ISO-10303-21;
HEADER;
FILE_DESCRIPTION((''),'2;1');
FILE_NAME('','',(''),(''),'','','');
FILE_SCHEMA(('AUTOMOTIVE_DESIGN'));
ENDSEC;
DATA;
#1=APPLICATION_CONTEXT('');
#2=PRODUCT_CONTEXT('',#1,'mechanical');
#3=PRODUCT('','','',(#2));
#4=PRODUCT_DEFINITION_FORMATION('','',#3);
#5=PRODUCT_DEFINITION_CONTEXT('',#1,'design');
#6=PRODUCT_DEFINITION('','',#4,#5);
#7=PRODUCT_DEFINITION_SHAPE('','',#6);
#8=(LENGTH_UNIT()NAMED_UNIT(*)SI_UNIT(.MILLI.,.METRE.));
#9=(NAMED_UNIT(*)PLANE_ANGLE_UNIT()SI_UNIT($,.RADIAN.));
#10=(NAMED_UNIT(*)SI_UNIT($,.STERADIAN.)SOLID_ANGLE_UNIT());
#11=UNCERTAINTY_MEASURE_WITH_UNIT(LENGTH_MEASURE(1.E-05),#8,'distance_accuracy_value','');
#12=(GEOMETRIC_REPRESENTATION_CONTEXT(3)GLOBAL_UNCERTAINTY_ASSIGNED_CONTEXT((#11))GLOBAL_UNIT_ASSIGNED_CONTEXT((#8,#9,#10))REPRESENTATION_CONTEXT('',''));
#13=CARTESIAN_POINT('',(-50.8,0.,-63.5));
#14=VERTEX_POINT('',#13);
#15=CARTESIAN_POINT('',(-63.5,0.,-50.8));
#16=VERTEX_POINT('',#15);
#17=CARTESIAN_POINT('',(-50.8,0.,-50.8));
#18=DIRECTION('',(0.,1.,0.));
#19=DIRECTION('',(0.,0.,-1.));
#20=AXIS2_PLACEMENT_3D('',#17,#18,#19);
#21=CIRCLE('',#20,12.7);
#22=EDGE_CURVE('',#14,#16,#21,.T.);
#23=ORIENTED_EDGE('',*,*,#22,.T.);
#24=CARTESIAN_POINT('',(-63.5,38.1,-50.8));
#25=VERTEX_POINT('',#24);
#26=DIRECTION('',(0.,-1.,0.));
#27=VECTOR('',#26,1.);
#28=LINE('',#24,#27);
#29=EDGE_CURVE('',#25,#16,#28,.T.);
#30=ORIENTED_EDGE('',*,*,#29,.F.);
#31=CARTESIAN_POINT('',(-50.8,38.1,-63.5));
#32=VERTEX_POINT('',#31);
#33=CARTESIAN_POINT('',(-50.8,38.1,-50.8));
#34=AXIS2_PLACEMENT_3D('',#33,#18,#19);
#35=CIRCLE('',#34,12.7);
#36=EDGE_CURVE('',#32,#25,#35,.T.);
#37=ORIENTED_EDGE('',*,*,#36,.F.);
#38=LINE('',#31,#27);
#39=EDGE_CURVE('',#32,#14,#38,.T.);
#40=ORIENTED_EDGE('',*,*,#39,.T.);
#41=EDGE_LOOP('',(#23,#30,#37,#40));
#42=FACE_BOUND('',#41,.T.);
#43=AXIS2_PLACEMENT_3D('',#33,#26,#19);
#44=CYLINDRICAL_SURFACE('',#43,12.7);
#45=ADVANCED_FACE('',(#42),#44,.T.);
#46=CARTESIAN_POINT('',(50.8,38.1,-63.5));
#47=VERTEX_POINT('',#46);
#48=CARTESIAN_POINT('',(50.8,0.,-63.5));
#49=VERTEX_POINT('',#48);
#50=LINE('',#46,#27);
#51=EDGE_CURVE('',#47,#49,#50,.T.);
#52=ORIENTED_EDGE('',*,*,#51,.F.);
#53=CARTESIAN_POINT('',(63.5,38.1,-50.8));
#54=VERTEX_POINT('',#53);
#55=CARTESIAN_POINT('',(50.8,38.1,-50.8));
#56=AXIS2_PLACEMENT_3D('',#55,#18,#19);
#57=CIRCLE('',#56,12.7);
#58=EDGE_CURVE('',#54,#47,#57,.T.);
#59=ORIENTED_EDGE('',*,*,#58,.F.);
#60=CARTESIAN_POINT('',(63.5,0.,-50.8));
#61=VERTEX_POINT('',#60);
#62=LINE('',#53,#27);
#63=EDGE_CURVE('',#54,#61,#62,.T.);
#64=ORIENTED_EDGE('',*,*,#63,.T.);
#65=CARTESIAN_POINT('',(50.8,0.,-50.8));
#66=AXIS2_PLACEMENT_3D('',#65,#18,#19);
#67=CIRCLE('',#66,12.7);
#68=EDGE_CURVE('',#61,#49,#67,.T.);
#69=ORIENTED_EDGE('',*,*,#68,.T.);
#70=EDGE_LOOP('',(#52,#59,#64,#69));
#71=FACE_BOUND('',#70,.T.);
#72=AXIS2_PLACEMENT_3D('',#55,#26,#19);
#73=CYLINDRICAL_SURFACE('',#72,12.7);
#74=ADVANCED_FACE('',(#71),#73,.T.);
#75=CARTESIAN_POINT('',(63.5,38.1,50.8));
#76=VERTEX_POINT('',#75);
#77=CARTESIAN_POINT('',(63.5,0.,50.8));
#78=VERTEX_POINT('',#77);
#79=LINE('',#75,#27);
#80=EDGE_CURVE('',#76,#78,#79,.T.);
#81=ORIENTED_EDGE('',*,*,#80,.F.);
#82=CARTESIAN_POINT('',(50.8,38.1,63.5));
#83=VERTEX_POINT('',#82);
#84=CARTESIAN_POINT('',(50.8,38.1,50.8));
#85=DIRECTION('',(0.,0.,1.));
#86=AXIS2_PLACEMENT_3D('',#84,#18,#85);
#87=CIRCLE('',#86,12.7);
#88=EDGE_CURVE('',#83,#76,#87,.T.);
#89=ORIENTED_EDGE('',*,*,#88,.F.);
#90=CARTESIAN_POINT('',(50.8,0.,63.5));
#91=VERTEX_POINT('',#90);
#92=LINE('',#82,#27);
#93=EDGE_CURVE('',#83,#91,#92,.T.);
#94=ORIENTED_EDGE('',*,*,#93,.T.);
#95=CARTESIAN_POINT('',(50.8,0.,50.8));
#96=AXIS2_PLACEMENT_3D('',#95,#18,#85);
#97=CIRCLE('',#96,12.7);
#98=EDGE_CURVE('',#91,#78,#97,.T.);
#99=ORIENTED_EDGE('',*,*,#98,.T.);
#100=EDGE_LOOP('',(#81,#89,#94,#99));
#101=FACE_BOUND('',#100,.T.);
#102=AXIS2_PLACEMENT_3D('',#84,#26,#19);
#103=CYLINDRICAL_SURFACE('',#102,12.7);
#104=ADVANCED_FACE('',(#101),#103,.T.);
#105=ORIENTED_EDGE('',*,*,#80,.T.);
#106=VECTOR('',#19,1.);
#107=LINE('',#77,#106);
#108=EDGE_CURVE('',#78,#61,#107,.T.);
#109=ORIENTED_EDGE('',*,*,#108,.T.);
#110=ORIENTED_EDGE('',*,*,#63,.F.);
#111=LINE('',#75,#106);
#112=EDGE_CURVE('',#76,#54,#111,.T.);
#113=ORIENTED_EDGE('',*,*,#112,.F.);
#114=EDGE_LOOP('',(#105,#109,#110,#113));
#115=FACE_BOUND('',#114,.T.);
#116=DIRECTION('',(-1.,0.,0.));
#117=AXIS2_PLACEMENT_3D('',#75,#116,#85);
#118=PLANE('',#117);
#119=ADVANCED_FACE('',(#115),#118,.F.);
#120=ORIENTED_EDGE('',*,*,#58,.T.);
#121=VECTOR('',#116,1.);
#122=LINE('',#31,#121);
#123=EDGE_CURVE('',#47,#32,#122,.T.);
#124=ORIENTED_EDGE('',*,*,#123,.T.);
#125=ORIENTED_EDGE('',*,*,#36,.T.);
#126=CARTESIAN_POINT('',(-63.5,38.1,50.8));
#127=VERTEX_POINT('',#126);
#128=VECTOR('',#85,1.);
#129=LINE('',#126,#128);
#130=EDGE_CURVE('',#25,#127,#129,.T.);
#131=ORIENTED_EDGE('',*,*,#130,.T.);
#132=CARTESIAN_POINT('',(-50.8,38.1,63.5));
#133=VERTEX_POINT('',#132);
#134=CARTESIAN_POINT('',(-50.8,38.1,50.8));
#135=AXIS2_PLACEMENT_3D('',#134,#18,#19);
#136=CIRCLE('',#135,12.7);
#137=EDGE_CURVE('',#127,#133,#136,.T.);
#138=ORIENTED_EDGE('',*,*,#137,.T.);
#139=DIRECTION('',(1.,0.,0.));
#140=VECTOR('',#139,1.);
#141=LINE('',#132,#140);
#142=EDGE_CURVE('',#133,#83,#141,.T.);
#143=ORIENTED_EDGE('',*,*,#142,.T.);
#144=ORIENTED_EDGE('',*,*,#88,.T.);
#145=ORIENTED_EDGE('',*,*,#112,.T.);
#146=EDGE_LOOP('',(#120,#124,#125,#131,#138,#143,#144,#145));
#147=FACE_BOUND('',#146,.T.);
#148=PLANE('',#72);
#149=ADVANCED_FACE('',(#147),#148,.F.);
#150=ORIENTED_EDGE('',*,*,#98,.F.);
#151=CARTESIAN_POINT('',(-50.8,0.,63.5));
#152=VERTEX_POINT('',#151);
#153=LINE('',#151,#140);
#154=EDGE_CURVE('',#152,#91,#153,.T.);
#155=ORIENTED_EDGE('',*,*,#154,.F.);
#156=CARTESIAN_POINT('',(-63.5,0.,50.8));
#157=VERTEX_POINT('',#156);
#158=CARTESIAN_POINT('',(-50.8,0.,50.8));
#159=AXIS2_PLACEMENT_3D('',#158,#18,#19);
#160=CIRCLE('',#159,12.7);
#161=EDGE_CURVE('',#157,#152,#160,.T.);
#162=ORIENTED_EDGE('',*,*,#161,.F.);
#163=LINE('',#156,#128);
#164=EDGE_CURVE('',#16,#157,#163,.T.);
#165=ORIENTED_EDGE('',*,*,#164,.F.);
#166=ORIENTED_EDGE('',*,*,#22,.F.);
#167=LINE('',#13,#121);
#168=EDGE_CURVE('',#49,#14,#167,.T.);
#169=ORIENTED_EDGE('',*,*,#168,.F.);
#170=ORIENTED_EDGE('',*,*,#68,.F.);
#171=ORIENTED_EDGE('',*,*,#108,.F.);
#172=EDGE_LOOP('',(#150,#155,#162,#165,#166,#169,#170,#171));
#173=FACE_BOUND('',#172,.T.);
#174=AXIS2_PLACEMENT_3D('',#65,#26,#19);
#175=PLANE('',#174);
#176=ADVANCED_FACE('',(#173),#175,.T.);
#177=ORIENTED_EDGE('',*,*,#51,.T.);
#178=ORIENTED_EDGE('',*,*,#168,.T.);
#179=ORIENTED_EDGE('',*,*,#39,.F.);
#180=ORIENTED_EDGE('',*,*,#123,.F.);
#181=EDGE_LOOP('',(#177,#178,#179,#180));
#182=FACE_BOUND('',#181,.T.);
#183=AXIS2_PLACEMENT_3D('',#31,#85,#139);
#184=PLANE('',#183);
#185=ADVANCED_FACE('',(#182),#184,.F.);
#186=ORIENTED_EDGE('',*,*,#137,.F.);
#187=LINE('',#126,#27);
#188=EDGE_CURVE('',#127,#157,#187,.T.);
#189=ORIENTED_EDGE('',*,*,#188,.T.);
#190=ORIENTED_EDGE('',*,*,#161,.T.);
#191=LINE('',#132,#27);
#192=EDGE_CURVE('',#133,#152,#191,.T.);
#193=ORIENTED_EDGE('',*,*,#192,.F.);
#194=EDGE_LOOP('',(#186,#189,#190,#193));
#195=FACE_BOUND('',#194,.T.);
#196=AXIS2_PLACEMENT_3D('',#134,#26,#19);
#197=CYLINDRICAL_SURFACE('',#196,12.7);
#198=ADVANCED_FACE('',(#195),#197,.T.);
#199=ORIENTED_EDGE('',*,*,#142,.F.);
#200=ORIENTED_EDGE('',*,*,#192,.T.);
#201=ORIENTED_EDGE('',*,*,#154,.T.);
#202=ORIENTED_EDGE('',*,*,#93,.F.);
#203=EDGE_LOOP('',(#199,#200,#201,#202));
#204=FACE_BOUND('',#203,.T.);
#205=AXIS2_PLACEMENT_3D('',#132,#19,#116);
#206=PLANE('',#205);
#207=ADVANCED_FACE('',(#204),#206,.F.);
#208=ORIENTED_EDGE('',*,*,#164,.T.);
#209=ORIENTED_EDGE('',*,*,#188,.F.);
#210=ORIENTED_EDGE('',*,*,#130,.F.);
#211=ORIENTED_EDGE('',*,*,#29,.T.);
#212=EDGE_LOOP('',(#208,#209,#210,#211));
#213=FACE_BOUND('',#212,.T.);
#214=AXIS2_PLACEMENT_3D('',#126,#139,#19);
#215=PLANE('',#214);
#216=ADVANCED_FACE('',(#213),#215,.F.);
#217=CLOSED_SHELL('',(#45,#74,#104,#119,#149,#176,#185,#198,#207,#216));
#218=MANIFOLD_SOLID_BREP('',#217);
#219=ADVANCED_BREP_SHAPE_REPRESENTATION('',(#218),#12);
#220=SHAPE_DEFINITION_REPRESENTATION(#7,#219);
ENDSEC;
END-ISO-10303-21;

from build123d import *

# Parameters (mm, degrees)
BOSS_EXTRUDE1_DEPTH = 38.1


with BuildPart() as part:
    # Sketch1 → Boss-Extrude1 (new body)
    with BuildSketch(Plane(origin=(0, 0, 0), x_dir=(1, 0, 0), z_dir=(0, 1, 0))):
        with BuildLine():
            Line((-50.8, -63.5), (50.8, -63.5))
            ThreePointArc((50.8, -63.5), (59.780256121, -59.780256121), (63.5, -50.8))
            Line((63.5, -50.8), (63.5, 50.8))
            ThreePointArc((63.5, 50.8), (59.780256121, 59.780256121), (50.8, 63.5))
            Line((50.8, 63.5), (-50.8, 63.5))
            ThreePointArc((-50.8, 63.5), (-59.780256121, 59.780256121), (-63.5, 50.8))
            Line((-63.5, 50.8), (-63.5, -50.8))
            ThreePointArc((-63.5, -50.8), (-59.780256121, -59.780256121), (-50.8, -63.5))
        make_face()
    extrude(amount=BOSS_EXTRUDE1_DEPTH)


solid = part.part
